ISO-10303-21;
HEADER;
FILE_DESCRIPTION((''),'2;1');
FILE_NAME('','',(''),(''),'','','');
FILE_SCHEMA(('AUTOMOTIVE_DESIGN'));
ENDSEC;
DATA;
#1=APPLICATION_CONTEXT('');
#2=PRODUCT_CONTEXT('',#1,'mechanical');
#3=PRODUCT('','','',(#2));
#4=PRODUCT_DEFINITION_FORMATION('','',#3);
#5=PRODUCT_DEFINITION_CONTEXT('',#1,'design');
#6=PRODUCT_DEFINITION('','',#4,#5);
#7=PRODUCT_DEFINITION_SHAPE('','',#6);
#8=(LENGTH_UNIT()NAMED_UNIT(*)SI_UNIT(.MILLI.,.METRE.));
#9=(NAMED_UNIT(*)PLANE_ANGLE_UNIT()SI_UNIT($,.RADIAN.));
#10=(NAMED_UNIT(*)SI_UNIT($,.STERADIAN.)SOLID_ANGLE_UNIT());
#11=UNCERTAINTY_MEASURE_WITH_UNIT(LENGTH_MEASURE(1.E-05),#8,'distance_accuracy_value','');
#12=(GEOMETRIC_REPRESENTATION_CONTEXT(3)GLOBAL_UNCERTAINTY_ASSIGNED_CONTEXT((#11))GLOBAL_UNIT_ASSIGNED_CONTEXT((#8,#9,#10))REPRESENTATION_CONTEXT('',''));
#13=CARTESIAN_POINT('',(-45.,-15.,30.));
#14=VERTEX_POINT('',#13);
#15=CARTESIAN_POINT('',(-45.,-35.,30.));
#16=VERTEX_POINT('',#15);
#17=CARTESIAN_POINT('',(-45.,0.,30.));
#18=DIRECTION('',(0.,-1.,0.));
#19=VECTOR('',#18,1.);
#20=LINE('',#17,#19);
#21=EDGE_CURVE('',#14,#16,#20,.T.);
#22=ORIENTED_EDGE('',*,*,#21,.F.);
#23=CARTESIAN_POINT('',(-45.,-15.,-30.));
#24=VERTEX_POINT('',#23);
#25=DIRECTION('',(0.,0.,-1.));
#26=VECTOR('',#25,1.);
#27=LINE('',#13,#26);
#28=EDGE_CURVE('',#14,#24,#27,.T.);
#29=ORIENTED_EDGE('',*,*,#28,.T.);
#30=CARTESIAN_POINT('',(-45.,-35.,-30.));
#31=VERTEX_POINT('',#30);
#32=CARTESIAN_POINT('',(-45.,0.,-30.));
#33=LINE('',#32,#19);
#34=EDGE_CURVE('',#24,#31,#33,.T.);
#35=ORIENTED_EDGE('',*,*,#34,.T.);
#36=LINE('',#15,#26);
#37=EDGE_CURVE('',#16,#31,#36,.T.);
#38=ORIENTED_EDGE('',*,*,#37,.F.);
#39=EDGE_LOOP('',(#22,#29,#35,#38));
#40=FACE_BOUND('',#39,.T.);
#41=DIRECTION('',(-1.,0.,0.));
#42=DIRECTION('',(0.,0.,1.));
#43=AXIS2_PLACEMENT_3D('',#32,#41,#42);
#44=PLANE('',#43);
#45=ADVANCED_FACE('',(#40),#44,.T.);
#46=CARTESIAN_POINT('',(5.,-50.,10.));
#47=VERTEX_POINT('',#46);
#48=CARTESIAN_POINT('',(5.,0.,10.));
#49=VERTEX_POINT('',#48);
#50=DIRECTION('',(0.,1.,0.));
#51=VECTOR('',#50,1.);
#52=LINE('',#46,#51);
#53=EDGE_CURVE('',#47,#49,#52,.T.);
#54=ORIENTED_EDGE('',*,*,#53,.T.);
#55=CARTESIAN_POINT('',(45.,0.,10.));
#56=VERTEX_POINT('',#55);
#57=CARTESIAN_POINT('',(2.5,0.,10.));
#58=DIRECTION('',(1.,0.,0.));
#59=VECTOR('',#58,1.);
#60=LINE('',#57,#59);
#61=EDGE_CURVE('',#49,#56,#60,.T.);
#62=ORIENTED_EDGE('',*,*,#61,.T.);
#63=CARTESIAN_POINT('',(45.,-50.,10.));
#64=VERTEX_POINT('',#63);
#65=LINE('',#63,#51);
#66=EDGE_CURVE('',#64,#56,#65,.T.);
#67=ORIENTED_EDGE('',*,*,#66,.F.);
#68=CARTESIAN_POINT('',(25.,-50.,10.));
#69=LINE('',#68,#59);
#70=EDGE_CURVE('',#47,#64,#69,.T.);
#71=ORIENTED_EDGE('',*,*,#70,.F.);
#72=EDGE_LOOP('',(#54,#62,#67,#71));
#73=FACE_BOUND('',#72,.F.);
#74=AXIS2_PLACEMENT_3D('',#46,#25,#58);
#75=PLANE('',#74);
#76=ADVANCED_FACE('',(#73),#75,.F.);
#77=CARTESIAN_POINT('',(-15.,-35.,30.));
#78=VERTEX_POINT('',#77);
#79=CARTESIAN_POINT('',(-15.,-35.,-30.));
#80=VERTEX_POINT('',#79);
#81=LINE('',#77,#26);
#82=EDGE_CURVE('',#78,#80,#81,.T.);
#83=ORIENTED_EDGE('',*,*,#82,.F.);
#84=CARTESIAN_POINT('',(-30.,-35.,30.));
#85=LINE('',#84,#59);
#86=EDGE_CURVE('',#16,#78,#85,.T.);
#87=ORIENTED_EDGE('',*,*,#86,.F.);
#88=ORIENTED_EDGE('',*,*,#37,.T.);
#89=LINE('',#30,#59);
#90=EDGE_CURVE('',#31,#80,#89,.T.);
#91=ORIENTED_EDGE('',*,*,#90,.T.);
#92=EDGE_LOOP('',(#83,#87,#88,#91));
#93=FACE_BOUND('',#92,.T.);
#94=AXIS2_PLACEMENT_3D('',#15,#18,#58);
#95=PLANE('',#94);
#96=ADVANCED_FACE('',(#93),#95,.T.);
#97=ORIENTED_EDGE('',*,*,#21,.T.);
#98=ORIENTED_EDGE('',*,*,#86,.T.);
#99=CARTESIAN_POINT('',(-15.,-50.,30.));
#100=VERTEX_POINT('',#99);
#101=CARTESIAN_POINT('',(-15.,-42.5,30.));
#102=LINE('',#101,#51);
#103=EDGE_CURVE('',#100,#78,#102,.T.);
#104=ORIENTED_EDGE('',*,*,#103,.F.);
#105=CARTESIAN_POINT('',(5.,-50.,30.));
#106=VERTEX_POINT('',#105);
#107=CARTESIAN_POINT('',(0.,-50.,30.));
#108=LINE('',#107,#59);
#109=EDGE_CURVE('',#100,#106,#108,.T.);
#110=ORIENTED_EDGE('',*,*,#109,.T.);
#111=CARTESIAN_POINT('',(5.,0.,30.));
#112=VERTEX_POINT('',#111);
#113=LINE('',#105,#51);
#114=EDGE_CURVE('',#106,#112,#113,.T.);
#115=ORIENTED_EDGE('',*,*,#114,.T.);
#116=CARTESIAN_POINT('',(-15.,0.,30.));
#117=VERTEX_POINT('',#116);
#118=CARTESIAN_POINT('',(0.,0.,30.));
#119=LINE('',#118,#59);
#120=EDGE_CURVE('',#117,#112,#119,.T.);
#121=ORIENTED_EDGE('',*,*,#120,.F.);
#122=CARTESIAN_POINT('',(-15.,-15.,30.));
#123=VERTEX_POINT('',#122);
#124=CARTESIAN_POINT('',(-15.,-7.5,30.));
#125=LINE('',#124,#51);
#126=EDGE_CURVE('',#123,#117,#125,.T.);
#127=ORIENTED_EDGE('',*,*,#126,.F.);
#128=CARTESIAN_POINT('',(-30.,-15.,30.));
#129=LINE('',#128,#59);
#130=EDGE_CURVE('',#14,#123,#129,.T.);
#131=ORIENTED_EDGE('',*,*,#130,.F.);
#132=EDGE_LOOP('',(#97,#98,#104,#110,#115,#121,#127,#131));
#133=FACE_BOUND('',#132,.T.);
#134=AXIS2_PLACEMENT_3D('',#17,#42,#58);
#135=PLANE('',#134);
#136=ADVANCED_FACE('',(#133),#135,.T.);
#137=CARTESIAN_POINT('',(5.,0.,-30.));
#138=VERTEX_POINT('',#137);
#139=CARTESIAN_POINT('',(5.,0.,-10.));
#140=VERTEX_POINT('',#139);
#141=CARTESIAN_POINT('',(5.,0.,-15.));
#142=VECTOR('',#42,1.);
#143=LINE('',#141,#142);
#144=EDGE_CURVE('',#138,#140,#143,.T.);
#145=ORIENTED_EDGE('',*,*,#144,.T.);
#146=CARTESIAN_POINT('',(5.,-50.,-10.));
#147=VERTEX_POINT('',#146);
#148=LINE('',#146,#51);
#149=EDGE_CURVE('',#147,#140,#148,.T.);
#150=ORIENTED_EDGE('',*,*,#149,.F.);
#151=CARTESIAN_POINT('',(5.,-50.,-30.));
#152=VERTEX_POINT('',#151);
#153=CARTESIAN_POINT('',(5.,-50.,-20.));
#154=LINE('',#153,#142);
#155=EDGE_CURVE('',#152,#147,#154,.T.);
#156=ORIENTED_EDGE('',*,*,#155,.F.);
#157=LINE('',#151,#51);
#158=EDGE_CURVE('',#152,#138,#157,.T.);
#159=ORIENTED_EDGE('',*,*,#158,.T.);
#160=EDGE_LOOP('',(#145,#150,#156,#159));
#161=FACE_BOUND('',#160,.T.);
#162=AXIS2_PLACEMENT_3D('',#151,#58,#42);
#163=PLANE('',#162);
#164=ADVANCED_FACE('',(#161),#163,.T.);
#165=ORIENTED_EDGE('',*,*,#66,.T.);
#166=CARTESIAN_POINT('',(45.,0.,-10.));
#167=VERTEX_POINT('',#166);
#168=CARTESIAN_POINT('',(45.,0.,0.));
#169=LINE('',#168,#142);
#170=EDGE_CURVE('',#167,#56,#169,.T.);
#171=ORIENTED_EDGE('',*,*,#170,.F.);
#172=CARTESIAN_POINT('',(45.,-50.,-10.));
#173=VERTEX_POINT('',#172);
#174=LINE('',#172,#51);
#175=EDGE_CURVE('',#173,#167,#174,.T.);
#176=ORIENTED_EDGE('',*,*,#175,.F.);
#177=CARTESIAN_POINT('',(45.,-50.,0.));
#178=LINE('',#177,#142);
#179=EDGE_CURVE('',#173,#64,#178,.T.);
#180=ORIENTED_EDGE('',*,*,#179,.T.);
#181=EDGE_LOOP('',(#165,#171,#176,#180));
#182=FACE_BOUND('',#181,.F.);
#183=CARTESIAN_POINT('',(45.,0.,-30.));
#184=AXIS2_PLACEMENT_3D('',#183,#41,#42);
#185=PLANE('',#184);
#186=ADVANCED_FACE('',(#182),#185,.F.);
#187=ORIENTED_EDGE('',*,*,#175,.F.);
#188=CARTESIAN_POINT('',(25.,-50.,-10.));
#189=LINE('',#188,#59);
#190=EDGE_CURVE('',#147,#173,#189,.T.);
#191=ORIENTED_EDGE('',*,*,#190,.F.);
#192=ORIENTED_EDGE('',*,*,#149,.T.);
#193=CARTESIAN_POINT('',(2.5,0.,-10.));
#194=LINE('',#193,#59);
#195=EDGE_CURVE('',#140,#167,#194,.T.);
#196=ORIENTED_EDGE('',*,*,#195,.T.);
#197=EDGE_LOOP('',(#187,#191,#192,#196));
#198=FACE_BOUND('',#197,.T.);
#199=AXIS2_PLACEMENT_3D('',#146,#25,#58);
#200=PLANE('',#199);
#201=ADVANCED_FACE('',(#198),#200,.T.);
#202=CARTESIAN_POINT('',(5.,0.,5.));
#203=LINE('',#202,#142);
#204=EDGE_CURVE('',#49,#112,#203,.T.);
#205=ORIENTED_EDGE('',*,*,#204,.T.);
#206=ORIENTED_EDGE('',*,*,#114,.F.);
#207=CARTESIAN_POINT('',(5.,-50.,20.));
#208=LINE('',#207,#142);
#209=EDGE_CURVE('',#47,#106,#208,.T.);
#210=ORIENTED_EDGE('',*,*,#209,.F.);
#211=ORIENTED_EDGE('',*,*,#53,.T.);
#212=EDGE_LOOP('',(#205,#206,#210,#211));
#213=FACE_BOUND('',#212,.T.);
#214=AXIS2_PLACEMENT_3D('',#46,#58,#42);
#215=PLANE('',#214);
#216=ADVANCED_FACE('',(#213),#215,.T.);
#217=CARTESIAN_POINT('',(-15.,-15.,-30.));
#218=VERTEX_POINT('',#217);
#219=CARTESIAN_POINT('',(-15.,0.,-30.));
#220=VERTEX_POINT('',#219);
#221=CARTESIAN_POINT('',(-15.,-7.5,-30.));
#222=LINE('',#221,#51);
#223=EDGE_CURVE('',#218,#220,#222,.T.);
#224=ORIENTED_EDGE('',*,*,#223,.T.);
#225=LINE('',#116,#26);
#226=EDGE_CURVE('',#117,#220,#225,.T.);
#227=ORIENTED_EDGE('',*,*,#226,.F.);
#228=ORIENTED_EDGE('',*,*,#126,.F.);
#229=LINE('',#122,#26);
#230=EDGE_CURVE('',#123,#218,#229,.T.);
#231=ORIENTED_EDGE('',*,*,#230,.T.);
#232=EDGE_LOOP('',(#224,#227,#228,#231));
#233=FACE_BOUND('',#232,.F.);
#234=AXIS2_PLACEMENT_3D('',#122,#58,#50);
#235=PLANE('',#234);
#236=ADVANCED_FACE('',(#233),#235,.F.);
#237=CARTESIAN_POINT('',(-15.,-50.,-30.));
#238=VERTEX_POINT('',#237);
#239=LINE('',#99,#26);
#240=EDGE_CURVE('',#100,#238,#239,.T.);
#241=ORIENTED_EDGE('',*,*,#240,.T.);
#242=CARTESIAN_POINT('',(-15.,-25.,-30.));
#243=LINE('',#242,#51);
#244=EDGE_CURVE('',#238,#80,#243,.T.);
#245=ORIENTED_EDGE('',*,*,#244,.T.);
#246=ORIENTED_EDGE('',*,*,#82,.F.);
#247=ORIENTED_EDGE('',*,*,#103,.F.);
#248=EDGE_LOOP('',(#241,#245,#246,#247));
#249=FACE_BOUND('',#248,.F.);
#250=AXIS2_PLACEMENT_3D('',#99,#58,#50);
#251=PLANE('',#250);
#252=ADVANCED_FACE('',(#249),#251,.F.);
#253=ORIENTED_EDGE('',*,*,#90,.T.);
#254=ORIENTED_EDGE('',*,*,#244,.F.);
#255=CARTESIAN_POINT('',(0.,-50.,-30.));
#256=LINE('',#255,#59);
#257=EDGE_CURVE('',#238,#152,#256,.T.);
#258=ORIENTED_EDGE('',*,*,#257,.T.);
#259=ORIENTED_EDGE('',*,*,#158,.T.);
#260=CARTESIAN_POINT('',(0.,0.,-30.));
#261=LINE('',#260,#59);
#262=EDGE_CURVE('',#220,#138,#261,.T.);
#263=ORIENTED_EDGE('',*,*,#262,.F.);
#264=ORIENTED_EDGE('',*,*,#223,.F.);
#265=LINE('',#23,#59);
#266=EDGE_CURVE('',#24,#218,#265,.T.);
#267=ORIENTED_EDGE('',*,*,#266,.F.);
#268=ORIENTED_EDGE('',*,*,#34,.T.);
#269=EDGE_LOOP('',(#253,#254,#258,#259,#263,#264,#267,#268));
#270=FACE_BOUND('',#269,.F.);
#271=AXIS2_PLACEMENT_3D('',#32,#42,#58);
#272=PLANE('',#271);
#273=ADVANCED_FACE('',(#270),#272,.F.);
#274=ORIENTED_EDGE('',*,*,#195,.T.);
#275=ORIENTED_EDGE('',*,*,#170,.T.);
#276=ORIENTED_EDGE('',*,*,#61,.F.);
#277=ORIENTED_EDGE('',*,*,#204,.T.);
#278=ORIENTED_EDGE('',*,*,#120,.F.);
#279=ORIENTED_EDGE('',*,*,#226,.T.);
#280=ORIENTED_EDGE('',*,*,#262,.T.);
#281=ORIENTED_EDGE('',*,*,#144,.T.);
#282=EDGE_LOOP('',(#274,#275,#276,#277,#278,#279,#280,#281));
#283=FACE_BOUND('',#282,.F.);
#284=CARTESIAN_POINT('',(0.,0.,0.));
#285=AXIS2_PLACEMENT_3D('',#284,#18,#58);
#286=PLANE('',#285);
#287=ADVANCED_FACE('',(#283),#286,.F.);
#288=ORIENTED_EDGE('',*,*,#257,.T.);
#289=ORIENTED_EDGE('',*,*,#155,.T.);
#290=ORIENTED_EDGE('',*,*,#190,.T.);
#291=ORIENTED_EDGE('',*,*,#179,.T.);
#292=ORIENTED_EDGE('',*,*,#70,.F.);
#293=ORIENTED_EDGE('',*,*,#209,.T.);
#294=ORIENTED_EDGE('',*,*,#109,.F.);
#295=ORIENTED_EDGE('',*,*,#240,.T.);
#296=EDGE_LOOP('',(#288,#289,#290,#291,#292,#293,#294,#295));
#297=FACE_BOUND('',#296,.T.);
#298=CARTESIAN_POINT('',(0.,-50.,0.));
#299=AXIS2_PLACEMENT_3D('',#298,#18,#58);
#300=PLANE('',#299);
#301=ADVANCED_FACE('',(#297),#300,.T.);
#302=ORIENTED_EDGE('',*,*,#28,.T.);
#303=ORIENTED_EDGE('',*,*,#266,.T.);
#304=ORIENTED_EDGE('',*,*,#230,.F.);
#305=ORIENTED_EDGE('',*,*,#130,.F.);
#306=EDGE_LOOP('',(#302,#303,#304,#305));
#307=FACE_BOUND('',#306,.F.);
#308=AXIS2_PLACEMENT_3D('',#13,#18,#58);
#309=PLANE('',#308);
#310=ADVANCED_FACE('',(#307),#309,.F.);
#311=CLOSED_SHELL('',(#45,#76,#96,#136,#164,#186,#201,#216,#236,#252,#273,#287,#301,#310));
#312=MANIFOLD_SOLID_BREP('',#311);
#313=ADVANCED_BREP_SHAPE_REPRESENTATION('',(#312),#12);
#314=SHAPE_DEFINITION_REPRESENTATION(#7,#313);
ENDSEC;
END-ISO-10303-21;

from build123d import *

# Parameters (mm, degrees)
F0_W     = 90
F0_H     = 60
F1_DEPTH = 50
F2_W     = 40
F2_H     = 20
F3_DEPTH = 50.001
F4_DEPTH = 50.001
F5_W     = 30
F5_H     = 15
F6_DEPTH = 60.001


with BuildPart() as f1:
    # F0 (on Front) → F1 (new body)
    with BuildSketch(Plane.XZ):
        Rectangle(F0_W, F0_H)
    extrude(amount=F1_DEPTH)

    # F2 (on face) → F3 (cut, through all)
    with BuildSketch(Plane.XZ.offset(50)):
        with Locations((25, 20)):
            Rectangle(F2_W, F2_H)
    extrude(amount=-F3_DEPTH, mode=Mode.SUBTRACT)

    # F2 (on face) → F4 (cut, through all)
    with BuildSketch(Plane.XZ.offset(50)):
        with Locations((25, -20)):
            Rectangle(F2_W, F2_H)
    extrude(amount=-F4_DEPTH, mode=Mode.SUBTRACT)

    # F5 (on face) → F6 (cut, through all)
    with BuildSketch(Plane.XY.offset(30)):
        with Locations((-30, -7.5)):
            Rectangle(F5_W, F5_H)
        with Locations((-30, -42.5)):
            Rectangle(F5_W, F5_H)
    extrude(amount=-F6_DEPTH, mode=Mode.SUBTRACT)


solid = f1.part
